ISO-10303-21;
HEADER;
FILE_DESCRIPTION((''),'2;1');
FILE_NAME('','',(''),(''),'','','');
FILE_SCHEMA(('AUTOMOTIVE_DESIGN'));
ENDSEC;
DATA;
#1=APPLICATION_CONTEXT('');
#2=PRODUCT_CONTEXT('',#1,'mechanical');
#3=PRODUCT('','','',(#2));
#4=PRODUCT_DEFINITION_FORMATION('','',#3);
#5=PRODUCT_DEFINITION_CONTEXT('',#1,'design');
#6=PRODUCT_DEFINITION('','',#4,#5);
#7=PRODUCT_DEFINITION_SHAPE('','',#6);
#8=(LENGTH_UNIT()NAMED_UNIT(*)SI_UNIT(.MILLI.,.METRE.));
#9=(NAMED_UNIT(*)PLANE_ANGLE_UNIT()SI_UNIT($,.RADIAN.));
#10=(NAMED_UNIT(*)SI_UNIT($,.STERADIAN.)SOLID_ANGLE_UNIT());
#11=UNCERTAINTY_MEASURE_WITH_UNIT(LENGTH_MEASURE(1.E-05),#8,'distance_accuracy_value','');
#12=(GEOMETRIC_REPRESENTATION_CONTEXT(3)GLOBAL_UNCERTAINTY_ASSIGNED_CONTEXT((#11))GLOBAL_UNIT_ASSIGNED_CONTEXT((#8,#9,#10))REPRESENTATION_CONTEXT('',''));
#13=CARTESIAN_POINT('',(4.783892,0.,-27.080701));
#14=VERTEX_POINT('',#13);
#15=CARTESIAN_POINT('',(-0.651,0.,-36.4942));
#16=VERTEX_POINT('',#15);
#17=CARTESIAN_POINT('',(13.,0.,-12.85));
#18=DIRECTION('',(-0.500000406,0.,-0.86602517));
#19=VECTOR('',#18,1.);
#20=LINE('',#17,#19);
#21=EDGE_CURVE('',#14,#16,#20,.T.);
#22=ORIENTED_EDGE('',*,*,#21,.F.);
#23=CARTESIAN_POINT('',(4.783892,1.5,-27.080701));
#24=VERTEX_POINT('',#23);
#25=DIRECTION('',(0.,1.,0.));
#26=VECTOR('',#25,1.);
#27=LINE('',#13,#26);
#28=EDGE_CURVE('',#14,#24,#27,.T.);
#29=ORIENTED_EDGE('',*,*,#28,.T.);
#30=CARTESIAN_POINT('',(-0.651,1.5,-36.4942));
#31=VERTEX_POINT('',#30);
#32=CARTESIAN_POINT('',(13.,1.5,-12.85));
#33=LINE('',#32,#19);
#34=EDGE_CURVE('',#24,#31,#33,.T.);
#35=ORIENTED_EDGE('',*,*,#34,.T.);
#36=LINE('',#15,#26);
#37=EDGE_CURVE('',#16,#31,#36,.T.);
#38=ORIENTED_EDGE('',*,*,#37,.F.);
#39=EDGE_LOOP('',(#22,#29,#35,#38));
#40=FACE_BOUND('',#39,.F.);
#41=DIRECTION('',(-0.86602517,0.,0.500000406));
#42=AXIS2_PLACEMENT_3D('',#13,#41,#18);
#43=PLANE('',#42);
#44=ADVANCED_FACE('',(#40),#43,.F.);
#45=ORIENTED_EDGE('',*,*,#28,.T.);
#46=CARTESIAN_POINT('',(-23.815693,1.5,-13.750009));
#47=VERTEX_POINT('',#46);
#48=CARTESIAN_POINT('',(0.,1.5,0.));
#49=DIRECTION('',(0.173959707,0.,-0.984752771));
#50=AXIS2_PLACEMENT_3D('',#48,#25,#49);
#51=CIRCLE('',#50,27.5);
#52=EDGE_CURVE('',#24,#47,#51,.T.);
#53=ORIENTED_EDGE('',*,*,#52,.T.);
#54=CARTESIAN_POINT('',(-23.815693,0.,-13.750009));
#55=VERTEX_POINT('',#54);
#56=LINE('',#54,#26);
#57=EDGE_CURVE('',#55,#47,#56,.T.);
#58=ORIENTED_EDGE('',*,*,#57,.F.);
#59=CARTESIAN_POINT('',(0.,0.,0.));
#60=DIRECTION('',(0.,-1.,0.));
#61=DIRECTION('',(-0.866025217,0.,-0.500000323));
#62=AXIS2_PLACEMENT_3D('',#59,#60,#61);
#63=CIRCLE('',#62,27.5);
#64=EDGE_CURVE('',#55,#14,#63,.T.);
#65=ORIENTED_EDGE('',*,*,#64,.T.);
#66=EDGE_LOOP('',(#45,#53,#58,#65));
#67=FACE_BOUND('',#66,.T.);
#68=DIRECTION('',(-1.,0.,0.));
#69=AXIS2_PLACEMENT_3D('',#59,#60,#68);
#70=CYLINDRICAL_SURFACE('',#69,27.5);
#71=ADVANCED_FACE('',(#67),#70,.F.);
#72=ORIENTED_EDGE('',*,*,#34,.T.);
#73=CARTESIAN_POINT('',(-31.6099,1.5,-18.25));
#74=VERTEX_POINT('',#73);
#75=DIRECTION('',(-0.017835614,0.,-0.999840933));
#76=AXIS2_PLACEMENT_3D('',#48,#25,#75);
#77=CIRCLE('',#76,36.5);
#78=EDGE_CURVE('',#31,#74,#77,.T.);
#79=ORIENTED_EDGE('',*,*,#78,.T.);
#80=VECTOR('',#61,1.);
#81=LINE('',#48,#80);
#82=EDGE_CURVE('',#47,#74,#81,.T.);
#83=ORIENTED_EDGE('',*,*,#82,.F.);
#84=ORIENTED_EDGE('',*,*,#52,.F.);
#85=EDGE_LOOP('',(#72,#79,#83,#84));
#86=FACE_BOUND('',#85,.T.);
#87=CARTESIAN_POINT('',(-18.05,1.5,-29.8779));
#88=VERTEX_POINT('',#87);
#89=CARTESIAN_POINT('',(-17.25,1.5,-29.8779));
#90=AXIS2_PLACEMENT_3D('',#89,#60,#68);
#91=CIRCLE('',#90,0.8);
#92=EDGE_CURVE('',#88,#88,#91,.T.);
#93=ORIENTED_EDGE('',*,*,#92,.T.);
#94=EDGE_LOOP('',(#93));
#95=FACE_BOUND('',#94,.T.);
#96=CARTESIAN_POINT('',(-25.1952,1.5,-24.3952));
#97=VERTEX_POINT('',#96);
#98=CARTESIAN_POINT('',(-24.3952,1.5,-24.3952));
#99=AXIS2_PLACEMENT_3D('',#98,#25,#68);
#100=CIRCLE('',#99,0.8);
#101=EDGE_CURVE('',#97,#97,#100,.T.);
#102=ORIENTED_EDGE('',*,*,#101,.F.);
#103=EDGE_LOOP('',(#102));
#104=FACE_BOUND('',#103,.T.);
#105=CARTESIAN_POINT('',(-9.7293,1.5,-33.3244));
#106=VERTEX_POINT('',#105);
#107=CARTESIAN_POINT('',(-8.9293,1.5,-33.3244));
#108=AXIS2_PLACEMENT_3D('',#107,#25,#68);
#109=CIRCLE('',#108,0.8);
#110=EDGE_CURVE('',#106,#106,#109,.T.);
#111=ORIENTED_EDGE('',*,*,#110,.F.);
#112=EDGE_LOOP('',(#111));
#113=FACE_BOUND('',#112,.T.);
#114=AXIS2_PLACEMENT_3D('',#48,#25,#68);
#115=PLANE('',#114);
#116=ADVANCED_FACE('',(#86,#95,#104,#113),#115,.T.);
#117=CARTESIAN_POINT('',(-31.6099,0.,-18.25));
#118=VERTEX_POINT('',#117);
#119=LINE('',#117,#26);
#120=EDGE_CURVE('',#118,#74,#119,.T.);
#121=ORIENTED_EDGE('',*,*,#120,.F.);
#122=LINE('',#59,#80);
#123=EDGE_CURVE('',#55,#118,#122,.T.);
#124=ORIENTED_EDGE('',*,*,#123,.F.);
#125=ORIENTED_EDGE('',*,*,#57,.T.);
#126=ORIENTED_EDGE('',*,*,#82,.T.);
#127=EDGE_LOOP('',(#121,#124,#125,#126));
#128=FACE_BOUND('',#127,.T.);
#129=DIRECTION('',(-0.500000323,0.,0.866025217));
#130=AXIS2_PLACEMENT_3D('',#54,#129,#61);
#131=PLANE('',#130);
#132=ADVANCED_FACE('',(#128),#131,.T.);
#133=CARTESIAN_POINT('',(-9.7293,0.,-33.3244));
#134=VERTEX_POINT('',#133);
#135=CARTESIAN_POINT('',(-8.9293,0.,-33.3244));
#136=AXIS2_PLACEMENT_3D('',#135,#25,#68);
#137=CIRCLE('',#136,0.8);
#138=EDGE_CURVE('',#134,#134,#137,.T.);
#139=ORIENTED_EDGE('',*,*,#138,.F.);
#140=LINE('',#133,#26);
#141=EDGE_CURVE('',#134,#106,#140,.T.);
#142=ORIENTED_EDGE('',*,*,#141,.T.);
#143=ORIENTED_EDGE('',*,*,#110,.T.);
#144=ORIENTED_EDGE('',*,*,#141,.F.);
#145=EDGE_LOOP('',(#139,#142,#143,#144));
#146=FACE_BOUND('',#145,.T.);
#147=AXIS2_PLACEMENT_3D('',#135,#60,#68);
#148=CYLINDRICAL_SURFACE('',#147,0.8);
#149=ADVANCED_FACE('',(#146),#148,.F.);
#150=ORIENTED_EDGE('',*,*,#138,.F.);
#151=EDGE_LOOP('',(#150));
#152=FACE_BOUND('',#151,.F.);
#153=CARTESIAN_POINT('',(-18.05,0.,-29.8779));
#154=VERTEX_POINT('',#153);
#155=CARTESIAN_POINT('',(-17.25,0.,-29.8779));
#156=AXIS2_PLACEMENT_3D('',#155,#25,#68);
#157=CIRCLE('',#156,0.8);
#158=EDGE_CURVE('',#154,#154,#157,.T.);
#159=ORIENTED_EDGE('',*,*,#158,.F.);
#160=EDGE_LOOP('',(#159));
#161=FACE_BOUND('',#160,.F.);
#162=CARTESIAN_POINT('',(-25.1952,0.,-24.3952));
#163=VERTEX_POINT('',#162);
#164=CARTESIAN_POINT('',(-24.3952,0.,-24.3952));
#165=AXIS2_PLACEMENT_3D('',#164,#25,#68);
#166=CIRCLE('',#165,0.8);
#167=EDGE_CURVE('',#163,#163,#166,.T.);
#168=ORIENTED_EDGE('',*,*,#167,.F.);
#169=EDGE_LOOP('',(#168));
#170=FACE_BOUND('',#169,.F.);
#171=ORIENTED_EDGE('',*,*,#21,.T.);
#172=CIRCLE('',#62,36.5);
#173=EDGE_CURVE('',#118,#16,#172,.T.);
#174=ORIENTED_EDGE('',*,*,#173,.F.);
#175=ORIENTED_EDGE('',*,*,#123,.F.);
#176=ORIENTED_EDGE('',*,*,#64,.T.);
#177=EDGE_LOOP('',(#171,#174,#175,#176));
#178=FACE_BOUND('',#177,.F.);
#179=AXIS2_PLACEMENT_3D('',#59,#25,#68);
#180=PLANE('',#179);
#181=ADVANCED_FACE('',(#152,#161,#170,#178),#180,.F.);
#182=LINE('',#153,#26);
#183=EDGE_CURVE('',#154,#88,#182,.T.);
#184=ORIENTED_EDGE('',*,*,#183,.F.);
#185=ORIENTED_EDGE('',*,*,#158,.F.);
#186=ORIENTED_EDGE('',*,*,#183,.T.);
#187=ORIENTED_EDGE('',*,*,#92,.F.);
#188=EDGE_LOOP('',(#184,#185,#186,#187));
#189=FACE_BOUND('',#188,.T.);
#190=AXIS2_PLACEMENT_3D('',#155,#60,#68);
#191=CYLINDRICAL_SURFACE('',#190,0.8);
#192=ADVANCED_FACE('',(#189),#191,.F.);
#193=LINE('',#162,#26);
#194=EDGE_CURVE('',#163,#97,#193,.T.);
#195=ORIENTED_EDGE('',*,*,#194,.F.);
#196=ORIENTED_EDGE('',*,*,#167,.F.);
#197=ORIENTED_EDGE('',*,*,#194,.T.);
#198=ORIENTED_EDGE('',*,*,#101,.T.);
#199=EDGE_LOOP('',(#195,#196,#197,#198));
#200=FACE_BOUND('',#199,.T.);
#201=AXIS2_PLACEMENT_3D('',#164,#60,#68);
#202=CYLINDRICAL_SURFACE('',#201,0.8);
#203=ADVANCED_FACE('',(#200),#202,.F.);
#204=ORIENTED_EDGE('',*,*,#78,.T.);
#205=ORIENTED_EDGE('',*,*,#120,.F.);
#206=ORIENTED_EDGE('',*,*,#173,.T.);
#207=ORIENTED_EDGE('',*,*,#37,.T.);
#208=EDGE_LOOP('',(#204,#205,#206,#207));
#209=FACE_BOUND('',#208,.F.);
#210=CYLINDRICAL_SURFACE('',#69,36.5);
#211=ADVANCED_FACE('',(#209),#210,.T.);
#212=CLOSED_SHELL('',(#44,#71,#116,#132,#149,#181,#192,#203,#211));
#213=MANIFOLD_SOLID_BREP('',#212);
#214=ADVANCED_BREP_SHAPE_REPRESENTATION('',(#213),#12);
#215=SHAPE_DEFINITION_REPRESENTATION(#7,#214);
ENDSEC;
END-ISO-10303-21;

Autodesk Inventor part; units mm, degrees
ref_plane "YZ Plane" through (0, 0, 0) normal (1, 0, 0) x (0, 1, 0)
ref_plane "XZ Plane" through (0, 0, 0) normal (0, 1, 0) x (-1, 0, 0)
ref_plane "XY Plane" through (0, 0, 0) normal (0, 0, 1) x (1, 0, 0)
sketch "スケッチ1" plane through (0, 0, 0) normal (0, 1, 0) x (-1, 0, 0)
  circle A0 centre (0, 0) radius 27.5
  line L0 (13, 12.85) -> (-13, 12.85)
  line L1 (-13, 12.85) -> (-13, -12.85)
  line L2 (-13, -12.85) -> (13, -12.85)
  line L3 (13, -12.85) -> (13, 12.85)
  circle A1 centre (0, 0) radius 32.5 construction
  circle A2 centre (0, 0) radius 36.5
  line L4 (0, 0) -> (18.4986, -32.0406)
  line L5 (0, 0) -> (31.6099, -18.25)
  line L6 (-13, -12.85) -> (0.651, -36.4942)
  line L7 (13.2, 12.8507) -> (13.2, -12.85)
  line L8 (13.2, -12.85) -> (13, -12.85)
  circle A3 centre (0, 0) radius 34.5 construction
  circle A4 centre (24.3952, -24.3952) radius 0.8
  circle A5 centre (8.9293, -33.3244) radius 0.8
  circle A6 centre (17.25, -29.8779) radius 0.8
  line L9 (0, 0) -> (24.3952, -24.3952) construction
  line L10 (0, 0) -> (8.9293, -33.3244) construction
  point P0 (13, 0)
  point P1 (0, 12.85)
  point P2 (13, -34.1065)
  point P3 (-13, -34.1065)
  point P4 (28.1458, -16.25)
  point P5 (13, -7.5056)
  point P6 (18.25, -31.6099)
  point P7 (16.25, -28.1458)
  point P8 (23.8157, -13.75)
  point P9 (-4.7839, -27.0807)
  point P10 (-1.6802, -32.4565)
  point P11 (13.2, -7.621)
  dimension "d0" = 55
  dimension "d1" = 12.85
  dimension "d2" = 26
  dimension "d3" = 5
  dimension "d4" = 4
  dimension "d11" = 60
  dimension "d12" = 30
  dimension "d16" = 0.2
  dimension "d19" = 2
  dimension "d20" = 1.6
  dimension "d21" = 1.6
  dimension "d22" = 1.6
  dimension "d23" = 15
  dimension "d24" = 15
extrude "押し出し4" add sketch "スケッチ1" along normal blind 1.5 contours A0 L4 A6 A2 L6 | L5 A2 L4 A6 A0
equation "\"d23\" = 0.5 * d12"
equation "\"d24\" = d23"
properties part number "waist_side_cover"
